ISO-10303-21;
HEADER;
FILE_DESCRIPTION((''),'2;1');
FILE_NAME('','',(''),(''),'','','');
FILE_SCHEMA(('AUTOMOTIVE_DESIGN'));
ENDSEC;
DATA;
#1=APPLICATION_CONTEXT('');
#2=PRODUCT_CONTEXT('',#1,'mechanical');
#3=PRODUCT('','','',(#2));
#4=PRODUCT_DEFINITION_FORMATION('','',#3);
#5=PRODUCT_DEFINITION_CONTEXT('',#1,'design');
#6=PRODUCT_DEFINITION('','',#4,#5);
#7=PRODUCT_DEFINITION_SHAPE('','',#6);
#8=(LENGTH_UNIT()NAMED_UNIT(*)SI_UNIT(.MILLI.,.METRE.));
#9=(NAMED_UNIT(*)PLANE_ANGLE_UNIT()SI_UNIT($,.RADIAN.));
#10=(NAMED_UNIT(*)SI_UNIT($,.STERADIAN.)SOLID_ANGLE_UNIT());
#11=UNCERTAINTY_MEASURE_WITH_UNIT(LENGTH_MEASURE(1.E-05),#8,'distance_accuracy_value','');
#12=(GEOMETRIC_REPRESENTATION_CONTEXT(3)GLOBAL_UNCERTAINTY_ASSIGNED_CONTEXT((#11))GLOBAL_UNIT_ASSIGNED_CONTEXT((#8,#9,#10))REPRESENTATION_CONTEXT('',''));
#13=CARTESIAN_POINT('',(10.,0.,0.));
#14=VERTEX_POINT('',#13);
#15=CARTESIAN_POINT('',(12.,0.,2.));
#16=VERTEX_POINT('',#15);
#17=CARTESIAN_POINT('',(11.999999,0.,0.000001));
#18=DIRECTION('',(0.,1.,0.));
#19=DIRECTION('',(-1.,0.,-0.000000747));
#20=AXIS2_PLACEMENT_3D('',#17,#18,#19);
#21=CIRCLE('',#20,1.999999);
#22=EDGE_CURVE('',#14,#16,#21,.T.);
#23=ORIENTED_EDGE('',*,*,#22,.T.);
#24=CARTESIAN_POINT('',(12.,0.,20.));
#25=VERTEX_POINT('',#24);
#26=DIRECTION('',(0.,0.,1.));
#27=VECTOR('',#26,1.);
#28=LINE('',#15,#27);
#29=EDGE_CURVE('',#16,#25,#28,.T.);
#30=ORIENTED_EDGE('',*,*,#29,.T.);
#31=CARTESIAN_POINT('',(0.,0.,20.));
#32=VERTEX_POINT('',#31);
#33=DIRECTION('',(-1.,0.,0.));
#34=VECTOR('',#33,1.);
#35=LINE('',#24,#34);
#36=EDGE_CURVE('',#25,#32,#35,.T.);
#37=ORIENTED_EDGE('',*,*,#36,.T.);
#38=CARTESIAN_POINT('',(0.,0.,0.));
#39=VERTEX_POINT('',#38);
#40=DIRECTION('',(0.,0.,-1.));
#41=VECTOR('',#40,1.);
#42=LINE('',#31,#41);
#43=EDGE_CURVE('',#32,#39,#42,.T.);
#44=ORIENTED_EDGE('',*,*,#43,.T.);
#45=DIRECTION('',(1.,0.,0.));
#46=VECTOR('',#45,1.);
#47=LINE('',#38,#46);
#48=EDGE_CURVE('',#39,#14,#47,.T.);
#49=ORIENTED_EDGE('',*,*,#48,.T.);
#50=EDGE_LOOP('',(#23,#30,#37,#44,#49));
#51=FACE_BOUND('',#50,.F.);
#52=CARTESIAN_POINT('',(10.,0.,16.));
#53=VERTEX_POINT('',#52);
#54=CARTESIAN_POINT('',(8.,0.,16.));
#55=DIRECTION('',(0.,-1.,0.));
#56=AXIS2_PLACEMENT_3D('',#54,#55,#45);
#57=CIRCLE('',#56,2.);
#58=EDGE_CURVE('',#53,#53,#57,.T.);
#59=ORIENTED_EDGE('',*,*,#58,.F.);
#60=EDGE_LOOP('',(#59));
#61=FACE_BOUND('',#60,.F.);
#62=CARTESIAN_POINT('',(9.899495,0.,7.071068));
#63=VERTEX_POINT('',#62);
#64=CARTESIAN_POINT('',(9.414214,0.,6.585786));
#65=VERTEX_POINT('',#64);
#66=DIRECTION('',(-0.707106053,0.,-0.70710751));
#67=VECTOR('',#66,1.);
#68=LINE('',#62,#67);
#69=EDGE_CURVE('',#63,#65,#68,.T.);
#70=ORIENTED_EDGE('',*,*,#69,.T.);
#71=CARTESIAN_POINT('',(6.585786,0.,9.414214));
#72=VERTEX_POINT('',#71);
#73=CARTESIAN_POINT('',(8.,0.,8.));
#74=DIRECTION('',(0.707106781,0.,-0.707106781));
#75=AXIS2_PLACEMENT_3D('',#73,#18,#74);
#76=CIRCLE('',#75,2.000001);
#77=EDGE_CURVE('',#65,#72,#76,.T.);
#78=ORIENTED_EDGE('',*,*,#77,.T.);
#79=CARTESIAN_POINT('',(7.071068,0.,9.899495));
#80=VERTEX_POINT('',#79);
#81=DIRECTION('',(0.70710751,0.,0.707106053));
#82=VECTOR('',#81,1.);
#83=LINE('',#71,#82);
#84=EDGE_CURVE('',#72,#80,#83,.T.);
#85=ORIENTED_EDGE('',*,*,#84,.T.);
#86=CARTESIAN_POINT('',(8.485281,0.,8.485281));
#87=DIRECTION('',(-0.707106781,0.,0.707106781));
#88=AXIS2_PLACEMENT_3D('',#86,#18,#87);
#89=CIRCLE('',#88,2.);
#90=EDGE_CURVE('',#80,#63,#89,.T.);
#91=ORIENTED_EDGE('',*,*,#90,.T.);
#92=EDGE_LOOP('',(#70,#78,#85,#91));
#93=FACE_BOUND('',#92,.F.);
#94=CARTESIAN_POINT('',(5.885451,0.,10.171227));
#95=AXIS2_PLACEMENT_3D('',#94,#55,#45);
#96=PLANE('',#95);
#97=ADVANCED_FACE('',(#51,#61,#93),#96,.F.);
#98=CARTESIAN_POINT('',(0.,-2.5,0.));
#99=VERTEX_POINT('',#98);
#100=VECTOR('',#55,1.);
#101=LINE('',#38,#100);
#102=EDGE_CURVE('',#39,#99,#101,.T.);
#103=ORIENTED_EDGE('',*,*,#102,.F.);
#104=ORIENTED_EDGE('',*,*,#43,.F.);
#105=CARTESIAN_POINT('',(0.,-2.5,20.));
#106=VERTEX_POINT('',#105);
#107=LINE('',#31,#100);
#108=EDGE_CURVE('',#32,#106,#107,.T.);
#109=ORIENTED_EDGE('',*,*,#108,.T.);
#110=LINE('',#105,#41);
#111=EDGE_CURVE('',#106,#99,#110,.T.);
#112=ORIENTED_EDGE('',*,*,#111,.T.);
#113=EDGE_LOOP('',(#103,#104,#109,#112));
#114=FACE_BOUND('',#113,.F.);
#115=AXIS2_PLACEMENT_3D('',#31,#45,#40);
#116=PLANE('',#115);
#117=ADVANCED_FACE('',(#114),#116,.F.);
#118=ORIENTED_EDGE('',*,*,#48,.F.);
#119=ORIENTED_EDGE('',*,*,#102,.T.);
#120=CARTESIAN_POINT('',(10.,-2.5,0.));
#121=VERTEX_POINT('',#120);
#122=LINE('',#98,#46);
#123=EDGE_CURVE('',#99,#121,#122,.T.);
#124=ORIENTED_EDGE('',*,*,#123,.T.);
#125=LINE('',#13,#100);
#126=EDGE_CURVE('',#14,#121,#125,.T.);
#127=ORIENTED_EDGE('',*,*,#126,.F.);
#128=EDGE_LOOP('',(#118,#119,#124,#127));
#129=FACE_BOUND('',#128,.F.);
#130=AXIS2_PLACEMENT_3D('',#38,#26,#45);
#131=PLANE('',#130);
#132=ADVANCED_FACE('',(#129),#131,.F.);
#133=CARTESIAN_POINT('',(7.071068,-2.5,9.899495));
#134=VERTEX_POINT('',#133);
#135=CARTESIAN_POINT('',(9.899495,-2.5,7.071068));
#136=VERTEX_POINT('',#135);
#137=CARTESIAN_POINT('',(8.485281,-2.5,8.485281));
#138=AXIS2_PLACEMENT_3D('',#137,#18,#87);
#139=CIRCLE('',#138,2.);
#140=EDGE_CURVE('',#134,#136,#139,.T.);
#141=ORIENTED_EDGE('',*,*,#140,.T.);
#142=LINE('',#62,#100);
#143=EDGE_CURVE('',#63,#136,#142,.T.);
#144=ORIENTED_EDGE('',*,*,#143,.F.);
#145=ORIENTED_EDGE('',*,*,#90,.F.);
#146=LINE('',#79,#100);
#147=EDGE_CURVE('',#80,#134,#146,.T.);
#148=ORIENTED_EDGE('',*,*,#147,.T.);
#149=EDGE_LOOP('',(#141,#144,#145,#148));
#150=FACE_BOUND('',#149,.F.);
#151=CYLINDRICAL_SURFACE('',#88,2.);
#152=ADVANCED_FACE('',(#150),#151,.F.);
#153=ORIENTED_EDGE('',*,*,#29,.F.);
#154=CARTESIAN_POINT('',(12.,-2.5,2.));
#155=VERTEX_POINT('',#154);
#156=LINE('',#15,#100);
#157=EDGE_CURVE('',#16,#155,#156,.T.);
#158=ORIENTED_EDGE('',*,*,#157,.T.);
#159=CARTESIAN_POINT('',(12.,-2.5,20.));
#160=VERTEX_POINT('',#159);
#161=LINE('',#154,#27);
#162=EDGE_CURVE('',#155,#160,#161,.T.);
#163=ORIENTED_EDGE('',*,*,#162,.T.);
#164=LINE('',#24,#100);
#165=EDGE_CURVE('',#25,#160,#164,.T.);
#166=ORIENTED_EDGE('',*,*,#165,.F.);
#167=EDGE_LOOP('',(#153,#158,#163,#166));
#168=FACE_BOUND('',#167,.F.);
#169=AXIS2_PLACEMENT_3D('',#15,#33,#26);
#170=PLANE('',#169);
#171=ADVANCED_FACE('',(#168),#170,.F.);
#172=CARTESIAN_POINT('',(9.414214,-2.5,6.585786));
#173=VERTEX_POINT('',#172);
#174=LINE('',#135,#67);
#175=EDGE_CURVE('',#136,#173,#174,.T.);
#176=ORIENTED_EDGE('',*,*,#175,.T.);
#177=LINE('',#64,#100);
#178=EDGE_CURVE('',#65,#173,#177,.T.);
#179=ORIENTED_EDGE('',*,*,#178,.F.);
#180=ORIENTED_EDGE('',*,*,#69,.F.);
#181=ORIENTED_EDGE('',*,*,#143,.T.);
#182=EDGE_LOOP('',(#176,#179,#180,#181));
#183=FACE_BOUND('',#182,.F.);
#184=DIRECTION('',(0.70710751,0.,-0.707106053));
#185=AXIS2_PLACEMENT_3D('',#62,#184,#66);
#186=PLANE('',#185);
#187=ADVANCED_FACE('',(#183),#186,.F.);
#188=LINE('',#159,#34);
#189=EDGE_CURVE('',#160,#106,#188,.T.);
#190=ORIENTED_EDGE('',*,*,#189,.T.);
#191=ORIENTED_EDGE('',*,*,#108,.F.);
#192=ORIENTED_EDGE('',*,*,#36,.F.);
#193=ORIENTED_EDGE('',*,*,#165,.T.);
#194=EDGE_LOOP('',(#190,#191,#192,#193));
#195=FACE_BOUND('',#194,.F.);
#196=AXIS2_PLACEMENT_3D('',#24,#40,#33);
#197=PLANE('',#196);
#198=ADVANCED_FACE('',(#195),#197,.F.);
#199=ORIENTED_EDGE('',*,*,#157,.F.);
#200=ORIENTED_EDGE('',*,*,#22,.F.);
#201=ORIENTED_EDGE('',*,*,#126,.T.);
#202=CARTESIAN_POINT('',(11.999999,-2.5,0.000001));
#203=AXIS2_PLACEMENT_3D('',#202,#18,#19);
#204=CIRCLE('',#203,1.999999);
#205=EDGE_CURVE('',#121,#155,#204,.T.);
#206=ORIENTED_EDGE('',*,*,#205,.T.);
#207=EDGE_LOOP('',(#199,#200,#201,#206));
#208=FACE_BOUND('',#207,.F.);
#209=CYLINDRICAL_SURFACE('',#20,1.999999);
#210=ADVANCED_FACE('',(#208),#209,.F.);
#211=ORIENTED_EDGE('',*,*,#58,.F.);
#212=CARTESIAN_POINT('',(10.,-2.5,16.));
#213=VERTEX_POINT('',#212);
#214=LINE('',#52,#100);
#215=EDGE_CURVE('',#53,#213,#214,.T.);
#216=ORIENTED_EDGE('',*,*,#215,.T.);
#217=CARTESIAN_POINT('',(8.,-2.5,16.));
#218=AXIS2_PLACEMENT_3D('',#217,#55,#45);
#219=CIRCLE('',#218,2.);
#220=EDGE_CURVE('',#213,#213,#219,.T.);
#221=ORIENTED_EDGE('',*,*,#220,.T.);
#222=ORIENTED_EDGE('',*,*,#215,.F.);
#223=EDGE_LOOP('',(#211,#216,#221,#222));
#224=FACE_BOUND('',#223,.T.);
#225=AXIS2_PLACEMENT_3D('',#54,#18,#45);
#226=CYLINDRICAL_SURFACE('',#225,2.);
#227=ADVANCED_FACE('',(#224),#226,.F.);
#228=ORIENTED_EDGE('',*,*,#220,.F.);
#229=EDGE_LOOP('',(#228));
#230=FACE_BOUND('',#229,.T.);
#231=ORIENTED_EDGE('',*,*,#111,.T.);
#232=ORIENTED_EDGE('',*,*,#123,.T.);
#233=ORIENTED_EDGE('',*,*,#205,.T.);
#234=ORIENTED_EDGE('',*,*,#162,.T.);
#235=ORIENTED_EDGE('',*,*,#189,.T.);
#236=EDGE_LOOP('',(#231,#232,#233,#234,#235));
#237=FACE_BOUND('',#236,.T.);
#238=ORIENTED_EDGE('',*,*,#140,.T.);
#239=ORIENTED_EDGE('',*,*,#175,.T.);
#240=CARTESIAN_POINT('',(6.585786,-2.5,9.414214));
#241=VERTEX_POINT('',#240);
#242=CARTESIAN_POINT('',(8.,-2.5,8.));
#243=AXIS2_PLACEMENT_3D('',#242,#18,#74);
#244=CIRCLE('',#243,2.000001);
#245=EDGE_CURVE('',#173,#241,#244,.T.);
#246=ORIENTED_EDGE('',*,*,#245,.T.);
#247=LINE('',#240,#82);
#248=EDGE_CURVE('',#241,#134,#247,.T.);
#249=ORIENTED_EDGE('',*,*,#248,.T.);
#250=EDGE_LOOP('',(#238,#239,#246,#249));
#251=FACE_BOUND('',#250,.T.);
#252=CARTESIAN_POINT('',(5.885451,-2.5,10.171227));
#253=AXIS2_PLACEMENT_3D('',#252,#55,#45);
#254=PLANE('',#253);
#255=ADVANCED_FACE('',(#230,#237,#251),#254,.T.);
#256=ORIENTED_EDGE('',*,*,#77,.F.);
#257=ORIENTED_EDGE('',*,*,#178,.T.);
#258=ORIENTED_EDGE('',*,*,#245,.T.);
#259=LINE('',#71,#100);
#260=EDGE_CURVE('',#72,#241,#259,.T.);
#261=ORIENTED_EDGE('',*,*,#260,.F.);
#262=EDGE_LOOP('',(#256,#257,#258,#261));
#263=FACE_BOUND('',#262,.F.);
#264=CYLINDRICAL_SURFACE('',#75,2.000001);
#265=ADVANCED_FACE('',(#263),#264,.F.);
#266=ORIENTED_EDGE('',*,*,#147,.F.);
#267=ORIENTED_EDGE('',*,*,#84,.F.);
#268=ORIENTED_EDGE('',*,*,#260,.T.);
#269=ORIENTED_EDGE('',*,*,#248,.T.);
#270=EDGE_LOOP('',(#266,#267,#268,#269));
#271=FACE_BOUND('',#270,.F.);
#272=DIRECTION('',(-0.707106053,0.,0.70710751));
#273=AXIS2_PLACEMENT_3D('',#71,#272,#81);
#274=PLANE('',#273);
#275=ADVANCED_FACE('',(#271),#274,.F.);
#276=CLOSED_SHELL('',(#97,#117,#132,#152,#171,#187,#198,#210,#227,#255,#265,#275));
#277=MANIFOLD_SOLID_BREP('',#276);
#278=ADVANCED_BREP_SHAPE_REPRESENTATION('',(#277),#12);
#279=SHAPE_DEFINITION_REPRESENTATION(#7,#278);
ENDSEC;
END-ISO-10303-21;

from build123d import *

# Parameters (mm, degrees)
F0_R     = 2
F1_DEPTH = 2.5


with BuildPart() as f1:
    # F0 (on Front) → F1 (new body)
    with BuildSketch(Plane.XZ):
        with BuildLine():
            Line((0, 20), (0, 0))
            Line((0, 0), (10, 0))
            ThreePointArc((10, 0), (10.585786, 1.414214), (12, 2))
            Line((12, 2), (12, 20))
            Line((12, 20), (0, 20))
        make_face()
        with BuildLine():
            ThreePointArc((9.414214, 6.585786), (6.585786, 6.585786), (6.585786, 9.414214))
            Line((6.585786, 9.414214), (7.071068, 9.899495))
            ThreePointArc((7.071068, 9.899495), (9.899495, 9.899495), (9.899495, 7.071068))
            Line((9.899495, 7.071068), (9.414214, 6.585786))
        make_face(mode=Mode.SUBTRACT)
        with Locations((8, 16)):
            Circle(F0_R, mode=Mode.SUBTRACT)
    extrude(amount=F1_DEPTH)


solid = f1.part
